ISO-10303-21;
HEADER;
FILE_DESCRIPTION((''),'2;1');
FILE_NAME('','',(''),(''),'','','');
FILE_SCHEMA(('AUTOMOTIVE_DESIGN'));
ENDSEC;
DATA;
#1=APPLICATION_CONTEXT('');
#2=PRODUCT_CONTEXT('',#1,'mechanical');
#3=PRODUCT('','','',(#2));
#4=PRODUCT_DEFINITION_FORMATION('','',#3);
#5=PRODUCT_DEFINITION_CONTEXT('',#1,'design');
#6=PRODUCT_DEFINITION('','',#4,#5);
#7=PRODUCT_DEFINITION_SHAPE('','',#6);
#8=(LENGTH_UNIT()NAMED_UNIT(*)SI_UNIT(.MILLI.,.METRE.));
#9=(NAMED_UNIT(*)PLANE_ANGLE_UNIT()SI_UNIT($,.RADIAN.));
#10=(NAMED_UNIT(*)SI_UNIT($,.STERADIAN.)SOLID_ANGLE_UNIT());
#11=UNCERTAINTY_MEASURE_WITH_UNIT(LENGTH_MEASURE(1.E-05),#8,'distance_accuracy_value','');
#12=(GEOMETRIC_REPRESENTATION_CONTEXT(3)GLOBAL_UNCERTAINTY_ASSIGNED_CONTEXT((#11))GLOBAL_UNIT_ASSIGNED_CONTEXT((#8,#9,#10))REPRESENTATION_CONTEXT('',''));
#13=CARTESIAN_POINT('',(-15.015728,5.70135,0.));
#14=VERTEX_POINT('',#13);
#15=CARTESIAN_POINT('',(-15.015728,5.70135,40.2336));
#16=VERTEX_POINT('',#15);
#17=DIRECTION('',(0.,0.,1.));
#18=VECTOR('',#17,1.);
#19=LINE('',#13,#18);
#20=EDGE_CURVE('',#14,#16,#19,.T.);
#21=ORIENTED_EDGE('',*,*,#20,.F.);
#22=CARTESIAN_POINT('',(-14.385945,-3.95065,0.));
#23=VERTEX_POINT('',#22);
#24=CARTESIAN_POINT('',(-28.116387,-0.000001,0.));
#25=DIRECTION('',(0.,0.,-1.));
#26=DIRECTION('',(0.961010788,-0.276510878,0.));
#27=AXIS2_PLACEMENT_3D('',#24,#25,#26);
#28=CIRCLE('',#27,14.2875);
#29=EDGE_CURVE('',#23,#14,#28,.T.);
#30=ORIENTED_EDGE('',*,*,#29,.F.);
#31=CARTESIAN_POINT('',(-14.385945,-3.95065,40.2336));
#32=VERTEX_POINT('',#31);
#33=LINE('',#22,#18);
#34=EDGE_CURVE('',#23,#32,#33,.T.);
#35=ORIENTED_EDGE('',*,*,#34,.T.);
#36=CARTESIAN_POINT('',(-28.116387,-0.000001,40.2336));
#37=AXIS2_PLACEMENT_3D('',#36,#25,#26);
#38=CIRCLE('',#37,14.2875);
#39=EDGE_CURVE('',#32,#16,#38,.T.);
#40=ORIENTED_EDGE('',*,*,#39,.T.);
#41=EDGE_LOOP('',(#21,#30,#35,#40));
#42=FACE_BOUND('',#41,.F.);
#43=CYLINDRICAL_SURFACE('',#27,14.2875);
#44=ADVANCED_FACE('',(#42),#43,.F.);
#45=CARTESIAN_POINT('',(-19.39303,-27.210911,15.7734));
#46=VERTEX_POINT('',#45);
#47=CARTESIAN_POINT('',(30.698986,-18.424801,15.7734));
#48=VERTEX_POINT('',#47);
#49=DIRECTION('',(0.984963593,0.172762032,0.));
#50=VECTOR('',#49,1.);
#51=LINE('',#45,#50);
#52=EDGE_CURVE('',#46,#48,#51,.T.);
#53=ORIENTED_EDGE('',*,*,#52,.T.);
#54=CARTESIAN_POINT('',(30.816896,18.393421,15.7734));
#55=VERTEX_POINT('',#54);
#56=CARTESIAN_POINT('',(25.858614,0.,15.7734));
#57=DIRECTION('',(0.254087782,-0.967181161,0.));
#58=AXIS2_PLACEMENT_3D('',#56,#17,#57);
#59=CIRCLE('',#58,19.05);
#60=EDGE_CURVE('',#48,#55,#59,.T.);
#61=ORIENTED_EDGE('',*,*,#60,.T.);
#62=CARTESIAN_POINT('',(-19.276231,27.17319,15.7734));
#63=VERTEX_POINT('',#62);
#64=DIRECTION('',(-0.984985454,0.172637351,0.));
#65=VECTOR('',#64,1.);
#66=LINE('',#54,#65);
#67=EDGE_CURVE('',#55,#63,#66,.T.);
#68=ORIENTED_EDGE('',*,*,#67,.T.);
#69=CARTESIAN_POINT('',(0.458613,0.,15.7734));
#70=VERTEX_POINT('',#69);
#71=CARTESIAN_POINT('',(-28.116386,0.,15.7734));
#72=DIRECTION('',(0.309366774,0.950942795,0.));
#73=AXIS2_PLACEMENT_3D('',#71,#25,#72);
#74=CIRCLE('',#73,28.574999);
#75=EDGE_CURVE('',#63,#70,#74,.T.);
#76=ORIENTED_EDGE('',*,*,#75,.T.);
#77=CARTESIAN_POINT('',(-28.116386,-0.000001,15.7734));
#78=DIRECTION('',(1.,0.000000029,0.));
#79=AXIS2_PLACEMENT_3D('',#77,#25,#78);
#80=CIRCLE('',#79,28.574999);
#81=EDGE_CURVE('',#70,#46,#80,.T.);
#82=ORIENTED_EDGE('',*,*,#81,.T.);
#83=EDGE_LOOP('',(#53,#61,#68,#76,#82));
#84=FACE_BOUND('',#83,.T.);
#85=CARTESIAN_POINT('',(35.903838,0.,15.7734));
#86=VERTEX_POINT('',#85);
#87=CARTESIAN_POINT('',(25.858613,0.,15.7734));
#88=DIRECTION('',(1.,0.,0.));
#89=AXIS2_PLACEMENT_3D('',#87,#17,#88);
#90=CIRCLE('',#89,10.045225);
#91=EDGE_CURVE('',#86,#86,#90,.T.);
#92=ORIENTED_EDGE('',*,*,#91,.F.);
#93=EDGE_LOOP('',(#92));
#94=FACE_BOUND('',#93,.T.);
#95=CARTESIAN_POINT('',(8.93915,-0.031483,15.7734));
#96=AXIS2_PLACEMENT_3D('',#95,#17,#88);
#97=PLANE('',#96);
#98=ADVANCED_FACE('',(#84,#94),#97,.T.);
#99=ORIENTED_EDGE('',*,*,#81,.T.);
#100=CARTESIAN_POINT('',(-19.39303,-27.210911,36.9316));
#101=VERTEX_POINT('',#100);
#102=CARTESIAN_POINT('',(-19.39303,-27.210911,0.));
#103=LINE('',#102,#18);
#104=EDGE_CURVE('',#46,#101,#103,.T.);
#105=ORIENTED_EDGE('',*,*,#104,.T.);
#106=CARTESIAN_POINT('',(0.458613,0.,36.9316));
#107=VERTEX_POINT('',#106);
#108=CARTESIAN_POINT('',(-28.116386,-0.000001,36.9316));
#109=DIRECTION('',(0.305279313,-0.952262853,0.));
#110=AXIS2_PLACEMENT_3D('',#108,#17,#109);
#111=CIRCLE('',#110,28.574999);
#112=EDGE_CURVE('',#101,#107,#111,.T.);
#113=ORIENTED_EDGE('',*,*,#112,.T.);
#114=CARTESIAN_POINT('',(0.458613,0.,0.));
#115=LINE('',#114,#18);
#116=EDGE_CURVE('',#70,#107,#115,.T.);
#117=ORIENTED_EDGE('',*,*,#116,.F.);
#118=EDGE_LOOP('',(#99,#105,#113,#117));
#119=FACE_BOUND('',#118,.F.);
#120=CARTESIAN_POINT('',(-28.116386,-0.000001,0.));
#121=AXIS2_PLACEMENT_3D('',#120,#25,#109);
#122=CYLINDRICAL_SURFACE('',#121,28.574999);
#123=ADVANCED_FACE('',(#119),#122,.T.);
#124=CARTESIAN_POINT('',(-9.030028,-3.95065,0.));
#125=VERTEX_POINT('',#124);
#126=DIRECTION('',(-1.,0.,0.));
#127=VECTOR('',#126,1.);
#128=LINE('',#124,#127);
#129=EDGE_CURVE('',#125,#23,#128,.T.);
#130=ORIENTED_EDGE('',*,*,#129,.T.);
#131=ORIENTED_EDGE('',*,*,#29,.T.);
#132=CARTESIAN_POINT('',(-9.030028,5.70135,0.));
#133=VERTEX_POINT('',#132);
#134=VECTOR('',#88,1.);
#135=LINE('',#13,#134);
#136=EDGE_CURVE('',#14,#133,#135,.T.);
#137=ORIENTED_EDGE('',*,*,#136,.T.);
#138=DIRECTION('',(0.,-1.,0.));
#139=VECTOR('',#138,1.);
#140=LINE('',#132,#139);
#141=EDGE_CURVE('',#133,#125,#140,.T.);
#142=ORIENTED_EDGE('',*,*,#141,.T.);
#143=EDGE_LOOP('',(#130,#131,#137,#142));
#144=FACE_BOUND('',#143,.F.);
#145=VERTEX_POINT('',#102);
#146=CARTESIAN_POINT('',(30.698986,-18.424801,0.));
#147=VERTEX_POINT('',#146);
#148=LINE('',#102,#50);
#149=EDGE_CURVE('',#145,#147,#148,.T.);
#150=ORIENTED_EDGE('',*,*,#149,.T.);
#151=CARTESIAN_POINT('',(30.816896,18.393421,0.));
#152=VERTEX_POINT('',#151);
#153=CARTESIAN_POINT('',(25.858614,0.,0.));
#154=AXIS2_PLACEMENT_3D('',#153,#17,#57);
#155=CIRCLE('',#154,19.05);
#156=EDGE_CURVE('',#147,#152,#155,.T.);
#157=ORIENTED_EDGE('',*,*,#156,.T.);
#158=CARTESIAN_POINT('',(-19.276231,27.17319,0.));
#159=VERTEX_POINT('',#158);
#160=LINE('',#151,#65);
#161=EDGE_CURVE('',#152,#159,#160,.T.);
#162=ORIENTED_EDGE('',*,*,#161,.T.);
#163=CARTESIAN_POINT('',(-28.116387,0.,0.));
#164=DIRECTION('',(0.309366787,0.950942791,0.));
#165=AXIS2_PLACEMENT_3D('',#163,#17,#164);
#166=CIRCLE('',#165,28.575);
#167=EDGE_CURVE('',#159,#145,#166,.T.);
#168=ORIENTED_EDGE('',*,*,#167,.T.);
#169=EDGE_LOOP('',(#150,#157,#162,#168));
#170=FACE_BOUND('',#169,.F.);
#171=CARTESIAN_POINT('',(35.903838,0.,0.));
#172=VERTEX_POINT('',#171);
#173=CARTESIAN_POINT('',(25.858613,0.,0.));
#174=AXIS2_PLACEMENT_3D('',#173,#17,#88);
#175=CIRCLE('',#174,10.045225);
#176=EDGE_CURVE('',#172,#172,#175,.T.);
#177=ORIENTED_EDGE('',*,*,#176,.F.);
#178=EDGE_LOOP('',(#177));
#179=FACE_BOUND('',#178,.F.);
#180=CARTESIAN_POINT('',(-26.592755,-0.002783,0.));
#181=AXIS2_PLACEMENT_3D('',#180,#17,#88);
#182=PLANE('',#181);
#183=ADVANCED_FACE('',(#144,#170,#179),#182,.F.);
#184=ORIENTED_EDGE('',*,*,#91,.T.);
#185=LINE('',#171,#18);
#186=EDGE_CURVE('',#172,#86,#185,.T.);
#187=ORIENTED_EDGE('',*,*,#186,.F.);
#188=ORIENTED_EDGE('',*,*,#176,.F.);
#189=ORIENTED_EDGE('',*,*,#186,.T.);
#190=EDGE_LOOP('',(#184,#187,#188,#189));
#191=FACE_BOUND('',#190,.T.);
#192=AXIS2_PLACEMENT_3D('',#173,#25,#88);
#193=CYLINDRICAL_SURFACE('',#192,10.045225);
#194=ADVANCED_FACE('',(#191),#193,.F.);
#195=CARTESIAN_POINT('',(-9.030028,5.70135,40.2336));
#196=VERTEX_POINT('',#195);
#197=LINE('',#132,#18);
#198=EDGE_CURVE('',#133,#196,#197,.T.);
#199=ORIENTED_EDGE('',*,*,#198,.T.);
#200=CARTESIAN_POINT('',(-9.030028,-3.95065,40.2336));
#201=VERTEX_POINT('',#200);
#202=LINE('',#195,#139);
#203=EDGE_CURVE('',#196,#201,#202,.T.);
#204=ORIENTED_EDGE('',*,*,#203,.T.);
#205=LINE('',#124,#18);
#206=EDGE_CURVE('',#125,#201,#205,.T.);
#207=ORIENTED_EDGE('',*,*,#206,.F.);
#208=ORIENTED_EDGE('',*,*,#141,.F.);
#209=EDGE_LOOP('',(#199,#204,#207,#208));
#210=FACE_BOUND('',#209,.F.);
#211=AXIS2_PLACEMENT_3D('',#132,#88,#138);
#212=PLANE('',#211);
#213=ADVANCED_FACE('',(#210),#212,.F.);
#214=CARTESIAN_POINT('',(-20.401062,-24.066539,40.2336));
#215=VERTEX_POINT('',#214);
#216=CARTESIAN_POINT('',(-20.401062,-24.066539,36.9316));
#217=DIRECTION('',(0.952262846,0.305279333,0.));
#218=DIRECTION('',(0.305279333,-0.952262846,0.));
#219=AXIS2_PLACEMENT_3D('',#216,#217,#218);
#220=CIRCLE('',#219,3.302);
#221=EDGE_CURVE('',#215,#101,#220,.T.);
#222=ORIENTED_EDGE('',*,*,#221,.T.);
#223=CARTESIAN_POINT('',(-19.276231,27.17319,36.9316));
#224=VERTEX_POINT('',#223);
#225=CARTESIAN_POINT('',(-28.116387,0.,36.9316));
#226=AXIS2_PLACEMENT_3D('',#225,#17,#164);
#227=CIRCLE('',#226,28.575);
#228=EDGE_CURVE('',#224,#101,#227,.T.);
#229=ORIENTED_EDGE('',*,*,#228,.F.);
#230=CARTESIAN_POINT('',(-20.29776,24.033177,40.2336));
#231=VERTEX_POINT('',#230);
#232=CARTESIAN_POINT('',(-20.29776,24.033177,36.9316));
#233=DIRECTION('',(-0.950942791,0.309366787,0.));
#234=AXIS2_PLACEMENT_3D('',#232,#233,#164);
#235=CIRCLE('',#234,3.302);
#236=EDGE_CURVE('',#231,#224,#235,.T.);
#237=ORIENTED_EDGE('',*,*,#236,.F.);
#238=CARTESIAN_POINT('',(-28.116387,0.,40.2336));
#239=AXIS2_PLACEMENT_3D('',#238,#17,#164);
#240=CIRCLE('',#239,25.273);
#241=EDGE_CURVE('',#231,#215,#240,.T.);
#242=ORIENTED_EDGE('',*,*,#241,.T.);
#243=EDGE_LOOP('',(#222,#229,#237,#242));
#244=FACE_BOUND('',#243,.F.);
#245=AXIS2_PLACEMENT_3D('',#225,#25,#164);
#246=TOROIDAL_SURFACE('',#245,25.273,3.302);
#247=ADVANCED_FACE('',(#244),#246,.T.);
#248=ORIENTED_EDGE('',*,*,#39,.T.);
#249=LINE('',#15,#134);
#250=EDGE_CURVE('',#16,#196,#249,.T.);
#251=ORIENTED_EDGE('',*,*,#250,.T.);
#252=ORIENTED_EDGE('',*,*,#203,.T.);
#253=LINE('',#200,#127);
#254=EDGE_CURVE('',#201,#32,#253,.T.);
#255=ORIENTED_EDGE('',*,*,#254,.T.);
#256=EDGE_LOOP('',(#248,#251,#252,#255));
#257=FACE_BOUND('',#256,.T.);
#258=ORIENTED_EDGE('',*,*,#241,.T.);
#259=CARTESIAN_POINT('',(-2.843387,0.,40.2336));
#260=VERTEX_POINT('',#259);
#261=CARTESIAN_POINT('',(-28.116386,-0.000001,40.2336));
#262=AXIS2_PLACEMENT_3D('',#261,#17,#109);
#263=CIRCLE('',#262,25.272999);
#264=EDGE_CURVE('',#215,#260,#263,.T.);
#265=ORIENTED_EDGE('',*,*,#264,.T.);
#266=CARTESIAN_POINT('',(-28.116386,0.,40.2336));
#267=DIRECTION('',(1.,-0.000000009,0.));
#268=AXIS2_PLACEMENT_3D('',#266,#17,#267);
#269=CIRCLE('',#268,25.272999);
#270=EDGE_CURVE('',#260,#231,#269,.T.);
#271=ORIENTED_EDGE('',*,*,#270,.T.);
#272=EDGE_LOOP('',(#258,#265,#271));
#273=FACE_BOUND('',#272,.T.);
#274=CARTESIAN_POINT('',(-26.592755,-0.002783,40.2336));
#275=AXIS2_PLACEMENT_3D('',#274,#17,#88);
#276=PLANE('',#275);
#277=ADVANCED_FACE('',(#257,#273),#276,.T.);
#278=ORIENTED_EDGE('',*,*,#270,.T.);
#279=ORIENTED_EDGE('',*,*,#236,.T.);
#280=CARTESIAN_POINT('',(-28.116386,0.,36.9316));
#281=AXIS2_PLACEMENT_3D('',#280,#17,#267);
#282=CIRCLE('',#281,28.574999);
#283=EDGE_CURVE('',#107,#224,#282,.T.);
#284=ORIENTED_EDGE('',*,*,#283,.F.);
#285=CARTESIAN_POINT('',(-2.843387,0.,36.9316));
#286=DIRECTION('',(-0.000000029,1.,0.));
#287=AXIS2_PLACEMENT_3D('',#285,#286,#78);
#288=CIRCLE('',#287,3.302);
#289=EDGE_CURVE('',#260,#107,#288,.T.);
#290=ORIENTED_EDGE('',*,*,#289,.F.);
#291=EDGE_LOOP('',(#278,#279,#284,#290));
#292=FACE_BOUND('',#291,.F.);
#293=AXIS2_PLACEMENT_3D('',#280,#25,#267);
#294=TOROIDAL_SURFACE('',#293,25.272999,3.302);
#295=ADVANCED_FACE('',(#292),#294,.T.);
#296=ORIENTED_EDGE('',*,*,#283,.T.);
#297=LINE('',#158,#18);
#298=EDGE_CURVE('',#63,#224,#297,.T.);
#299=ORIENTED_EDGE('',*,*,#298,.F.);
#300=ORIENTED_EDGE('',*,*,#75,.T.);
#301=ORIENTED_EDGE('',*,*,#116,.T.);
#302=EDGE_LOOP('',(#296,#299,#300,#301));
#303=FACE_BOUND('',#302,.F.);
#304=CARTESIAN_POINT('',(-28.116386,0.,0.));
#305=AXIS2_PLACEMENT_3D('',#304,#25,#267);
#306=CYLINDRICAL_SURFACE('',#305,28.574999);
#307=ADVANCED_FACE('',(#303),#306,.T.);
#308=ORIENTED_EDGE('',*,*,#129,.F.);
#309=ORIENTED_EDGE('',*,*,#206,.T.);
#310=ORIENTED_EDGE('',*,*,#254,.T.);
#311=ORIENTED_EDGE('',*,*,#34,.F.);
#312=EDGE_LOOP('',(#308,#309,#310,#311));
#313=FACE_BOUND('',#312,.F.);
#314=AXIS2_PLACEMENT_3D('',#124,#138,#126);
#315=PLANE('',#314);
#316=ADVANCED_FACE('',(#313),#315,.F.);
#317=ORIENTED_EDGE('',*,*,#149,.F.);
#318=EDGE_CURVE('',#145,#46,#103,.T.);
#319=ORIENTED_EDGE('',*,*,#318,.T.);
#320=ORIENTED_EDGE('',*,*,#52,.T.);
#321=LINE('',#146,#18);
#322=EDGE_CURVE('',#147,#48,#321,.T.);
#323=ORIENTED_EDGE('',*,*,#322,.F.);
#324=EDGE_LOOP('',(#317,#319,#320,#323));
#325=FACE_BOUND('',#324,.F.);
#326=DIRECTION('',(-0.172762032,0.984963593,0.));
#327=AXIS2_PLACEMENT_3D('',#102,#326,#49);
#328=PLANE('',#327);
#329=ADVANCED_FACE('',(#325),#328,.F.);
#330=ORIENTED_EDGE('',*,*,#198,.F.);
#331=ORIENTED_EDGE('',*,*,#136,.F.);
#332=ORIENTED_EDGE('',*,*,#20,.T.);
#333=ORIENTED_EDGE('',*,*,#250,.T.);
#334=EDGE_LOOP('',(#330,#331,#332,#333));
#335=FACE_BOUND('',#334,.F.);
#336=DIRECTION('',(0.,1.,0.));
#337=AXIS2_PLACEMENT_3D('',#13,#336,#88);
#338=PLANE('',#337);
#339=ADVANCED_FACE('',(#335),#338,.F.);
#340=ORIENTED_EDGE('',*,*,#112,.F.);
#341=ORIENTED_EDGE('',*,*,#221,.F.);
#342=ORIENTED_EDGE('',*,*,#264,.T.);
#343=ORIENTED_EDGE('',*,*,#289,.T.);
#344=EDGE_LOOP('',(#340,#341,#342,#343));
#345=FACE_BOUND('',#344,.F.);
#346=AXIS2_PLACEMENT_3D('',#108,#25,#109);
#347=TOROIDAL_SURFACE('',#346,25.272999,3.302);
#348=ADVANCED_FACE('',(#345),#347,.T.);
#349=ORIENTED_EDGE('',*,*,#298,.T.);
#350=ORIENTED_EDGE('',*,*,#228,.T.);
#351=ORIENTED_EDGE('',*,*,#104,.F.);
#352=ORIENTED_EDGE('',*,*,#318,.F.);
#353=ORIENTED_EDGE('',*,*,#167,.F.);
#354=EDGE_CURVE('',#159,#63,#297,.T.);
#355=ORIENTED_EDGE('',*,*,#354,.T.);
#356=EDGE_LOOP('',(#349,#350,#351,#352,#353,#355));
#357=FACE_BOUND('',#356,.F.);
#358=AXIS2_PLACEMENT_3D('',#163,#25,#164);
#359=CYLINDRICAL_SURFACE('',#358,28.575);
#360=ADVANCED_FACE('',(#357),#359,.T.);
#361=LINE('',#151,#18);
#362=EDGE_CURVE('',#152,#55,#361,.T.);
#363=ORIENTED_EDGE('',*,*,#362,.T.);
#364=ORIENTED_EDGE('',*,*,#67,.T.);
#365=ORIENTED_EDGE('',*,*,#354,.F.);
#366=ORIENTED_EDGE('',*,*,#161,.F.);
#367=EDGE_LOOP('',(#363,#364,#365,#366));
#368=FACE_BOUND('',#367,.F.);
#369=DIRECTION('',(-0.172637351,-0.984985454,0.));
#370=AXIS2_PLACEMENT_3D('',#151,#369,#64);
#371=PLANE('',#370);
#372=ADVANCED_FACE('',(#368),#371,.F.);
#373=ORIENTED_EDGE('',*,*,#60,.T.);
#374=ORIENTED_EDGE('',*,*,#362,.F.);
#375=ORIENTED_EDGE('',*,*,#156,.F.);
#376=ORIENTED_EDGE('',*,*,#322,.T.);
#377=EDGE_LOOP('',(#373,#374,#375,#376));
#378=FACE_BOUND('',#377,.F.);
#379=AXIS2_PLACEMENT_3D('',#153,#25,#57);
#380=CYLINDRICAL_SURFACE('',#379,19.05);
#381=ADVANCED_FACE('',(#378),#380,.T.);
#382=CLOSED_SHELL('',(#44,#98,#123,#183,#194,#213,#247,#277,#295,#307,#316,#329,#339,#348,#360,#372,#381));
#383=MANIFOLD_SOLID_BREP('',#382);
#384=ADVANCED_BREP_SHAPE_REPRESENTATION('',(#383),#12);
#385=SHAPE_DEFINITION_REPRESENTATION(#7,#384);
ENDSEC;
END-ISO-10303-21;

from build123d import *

# Parameters (mm, degrees)
F0_R     = 10.045225
F1_DEPTH = 15.7734
F2_DEPTH = 40.2336
F3_R     = 3.302


with BuildPart() as f1:
    # F0 (on Top) → F1 (new body)
    with BuildSketch(Plane.XY):
        with BuildLine():
            ThreePointArc((-19.276231, 27.17319), (-4.995638, 16.791712), (0.458613, 0))
            ThreePointArc((0.458613, 0), (-5.031754, -16.841329), (-19.39303, -27.210911))
            Line((-19.39303, -27.210911), (30.698986, -18.424801))
            ThreePointArc((30.698986, -18.424801), (44.908516, -0.061007), (30.816896, 18.393421))
            Line((30.816896, 18.393421), (-19.276231, 27.17319))
        make_face()
        with Locations((25.858613, 0)):
            Circle(F0_R, mode=Mode.SUBTRACT)
    extrude(amount=F1_DEPTH)

    # F0 (on Top) → F2 (join)
    with BuildSketch(Plane.XY):
        with BuildLine():
            ThreePointArc((-19.39303, -27.210911), (-5.031754, -16.841329), (0.458613, 0))
            ThreePointArc((0.458613, 0), (-4.995638, 16.791712), (-19.276231, 27.17319))
            ThreePointArc((-19.276231, 27.17319), (-56.691321, 0.061369), (-19.39303, -27.210911))
        make_face()
        with BuildLine():
            ThreePointArc((-14.385945, -3.95065), (-42.37357, -0.930265), (-15.015728, 5.70135))
            Line((-15.015728, 5.70135), (-9.030028, 5.70135))
            Line((-9.030028, 5.70135), (-9.030028, -3.95065))
            Line((-9.030028, -3.95065), (-14.385945, -3.95065))
        make_face(mode=Mode.SUBTRACT)
    extrude(amount=F2_DEPTH)

    # F3
    f3_edges = [f1.edges().sort_by_distance(p)[0] for p in [
        (-36.839744, 27.210911, 40.2336),
    ]]
    fillet(f3_edges, radius=F3_R)


solid = f1.part
